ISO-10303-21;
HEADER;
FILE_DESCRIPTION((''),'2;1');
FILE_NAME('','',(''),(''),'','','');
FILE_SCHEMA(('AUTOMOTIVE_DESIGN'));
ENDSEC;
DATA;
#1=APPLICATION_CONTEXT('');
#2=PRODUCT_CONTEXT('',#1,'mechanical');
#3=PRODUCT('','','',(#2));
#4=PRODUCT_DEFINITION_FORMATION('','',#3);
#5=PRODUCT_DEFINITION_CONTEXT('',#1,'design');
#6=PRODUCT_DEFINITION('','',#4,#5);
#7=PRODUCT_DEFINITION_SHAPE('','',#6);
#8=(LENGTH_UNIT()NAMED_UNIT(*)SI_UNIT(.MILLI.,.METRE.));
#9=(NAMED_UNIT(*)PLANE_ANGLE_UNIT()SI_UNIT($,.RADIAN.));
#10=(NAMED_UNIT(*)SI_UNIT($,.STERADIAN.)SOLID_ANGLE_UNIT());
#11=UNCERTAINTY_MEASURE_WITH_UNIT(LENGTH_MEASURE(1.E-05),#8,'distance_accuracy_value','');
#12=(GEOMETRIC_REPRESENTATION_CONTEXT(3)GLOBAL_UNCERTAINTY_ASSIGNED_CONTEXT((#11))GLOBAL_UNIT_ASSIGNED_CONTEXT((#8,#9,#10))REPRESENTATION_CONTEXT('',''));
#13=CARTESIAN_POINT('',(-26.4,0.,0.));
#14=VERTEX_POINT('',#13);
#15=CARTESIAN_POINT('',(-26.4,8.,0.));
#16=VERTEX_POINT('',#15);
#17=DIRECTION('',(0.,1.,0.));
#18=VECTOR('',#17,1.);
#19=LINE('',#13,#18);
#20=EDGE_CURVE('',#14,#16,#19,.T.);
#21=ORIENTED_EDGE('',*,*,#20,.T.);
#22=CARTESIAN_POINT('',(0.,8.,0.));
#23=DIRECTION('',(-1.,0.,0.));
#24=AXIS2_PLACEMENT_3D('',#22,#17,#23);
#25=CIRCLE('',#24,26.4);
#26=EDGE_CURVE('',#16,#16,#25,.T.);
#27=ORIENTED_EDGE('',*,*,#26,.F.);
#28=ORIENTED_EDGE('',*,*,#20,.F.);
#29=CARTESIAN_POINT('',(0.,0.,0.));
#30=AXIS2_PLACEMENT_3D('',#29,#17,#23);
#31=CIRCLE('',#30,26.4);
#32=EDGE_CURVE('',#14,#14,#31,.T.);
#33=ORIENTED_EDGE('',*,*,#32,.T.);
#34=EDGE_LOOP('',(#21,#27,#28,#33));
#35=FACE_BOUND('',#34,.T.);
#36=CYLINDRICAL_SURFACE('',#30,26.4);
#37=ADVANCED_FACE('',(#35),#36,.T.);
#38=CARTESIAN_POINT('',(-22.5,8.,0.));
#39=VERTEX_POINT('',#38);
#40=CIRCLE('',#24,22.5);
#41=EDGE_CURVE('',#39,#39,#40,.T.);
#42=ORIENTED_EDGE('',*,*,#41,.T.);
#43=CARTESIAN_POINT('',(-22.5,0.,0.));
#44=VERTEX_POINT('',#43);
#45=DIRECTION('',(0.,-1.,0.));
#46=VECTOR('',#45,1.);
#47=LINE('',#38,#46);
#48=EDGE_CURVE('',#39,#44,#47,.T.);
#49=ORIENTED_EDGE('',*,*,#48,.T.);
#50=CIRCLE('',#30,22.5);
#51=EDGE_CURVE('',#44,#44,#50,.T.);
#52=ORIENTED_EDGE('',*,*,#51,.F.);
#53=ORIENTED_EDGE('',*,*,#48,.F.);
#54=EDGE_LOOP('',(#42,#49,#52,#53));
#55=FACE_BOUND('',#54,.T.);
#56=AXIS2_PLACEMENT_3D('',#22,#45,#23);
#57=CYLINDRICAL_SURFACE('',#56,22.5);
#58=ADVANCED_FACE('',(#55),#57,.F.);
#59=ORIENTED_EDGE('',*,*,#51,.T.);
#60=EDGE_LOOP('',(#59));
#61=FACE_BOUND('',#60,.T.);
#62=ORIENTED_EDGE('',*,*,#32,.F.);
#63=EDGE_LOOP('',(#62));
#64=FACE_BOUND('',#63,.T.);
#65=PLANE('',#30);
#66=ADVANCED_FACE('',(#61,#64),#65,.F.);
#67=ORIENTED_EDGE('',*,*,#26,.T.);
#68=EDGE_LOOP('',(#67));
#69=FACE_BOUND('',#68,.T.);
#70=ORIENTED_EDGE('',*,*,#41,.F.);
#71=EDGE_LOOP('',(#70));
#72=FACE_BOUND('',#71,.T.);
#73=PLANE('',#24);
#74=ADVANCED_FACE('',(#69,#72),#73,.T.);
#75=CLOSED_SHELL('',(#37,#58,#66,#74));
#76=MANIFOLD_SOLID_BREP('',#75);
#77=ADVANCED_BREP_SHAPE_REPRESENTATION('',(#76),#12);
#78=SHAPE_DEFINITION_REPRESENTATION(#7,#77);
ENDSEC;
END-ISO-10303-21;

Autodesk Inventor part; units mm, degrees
ref_plane "YZ Plane" through (0, 0, 0) normal (1, 0, 0) x (0, 1, 0)
ref_plane "XZ Plane" through (0, 0, 0) normal (0, 1, 0) x (-1, 0, 0)
ref_plane "XY Plane" through (0, 0, 0) normal (0, 0, 1) x (1, 0, 0)
sketch "Sketch1" plane through (0, 0, 0) normal (0, 0, 1) x (1, 0, 0)
  line L0 (-22.5, 0) -> (-26.4, 0)
  line L1 (-26.4, 0) -> (-26.4, 8)
  line L2 (-26.4, 8) -> (-22.5, 8)
  line L3 (-22.5, 8) -> (-22.5, 0)
  line L4 (0, -1.6) -> (0, 9.6) projected
  point P0 (0, 0)
  dimension "d0" = 22.5
  dimension "d1" = 8
  dimension "d2" = 3.9
revolve "Revolution1" add sketch "Sketch1" angle 360 about axis through (0, -10, 0) along (0, 1, 0)
equation "\"d0\" = 0.5 * oring_id"
equation "\"d1\" = 2 * oring_dia"
equation "\"oring_dia\" = 4"
equation "\"oring_id\" = 45"
properties part number "press" material "Brass"
